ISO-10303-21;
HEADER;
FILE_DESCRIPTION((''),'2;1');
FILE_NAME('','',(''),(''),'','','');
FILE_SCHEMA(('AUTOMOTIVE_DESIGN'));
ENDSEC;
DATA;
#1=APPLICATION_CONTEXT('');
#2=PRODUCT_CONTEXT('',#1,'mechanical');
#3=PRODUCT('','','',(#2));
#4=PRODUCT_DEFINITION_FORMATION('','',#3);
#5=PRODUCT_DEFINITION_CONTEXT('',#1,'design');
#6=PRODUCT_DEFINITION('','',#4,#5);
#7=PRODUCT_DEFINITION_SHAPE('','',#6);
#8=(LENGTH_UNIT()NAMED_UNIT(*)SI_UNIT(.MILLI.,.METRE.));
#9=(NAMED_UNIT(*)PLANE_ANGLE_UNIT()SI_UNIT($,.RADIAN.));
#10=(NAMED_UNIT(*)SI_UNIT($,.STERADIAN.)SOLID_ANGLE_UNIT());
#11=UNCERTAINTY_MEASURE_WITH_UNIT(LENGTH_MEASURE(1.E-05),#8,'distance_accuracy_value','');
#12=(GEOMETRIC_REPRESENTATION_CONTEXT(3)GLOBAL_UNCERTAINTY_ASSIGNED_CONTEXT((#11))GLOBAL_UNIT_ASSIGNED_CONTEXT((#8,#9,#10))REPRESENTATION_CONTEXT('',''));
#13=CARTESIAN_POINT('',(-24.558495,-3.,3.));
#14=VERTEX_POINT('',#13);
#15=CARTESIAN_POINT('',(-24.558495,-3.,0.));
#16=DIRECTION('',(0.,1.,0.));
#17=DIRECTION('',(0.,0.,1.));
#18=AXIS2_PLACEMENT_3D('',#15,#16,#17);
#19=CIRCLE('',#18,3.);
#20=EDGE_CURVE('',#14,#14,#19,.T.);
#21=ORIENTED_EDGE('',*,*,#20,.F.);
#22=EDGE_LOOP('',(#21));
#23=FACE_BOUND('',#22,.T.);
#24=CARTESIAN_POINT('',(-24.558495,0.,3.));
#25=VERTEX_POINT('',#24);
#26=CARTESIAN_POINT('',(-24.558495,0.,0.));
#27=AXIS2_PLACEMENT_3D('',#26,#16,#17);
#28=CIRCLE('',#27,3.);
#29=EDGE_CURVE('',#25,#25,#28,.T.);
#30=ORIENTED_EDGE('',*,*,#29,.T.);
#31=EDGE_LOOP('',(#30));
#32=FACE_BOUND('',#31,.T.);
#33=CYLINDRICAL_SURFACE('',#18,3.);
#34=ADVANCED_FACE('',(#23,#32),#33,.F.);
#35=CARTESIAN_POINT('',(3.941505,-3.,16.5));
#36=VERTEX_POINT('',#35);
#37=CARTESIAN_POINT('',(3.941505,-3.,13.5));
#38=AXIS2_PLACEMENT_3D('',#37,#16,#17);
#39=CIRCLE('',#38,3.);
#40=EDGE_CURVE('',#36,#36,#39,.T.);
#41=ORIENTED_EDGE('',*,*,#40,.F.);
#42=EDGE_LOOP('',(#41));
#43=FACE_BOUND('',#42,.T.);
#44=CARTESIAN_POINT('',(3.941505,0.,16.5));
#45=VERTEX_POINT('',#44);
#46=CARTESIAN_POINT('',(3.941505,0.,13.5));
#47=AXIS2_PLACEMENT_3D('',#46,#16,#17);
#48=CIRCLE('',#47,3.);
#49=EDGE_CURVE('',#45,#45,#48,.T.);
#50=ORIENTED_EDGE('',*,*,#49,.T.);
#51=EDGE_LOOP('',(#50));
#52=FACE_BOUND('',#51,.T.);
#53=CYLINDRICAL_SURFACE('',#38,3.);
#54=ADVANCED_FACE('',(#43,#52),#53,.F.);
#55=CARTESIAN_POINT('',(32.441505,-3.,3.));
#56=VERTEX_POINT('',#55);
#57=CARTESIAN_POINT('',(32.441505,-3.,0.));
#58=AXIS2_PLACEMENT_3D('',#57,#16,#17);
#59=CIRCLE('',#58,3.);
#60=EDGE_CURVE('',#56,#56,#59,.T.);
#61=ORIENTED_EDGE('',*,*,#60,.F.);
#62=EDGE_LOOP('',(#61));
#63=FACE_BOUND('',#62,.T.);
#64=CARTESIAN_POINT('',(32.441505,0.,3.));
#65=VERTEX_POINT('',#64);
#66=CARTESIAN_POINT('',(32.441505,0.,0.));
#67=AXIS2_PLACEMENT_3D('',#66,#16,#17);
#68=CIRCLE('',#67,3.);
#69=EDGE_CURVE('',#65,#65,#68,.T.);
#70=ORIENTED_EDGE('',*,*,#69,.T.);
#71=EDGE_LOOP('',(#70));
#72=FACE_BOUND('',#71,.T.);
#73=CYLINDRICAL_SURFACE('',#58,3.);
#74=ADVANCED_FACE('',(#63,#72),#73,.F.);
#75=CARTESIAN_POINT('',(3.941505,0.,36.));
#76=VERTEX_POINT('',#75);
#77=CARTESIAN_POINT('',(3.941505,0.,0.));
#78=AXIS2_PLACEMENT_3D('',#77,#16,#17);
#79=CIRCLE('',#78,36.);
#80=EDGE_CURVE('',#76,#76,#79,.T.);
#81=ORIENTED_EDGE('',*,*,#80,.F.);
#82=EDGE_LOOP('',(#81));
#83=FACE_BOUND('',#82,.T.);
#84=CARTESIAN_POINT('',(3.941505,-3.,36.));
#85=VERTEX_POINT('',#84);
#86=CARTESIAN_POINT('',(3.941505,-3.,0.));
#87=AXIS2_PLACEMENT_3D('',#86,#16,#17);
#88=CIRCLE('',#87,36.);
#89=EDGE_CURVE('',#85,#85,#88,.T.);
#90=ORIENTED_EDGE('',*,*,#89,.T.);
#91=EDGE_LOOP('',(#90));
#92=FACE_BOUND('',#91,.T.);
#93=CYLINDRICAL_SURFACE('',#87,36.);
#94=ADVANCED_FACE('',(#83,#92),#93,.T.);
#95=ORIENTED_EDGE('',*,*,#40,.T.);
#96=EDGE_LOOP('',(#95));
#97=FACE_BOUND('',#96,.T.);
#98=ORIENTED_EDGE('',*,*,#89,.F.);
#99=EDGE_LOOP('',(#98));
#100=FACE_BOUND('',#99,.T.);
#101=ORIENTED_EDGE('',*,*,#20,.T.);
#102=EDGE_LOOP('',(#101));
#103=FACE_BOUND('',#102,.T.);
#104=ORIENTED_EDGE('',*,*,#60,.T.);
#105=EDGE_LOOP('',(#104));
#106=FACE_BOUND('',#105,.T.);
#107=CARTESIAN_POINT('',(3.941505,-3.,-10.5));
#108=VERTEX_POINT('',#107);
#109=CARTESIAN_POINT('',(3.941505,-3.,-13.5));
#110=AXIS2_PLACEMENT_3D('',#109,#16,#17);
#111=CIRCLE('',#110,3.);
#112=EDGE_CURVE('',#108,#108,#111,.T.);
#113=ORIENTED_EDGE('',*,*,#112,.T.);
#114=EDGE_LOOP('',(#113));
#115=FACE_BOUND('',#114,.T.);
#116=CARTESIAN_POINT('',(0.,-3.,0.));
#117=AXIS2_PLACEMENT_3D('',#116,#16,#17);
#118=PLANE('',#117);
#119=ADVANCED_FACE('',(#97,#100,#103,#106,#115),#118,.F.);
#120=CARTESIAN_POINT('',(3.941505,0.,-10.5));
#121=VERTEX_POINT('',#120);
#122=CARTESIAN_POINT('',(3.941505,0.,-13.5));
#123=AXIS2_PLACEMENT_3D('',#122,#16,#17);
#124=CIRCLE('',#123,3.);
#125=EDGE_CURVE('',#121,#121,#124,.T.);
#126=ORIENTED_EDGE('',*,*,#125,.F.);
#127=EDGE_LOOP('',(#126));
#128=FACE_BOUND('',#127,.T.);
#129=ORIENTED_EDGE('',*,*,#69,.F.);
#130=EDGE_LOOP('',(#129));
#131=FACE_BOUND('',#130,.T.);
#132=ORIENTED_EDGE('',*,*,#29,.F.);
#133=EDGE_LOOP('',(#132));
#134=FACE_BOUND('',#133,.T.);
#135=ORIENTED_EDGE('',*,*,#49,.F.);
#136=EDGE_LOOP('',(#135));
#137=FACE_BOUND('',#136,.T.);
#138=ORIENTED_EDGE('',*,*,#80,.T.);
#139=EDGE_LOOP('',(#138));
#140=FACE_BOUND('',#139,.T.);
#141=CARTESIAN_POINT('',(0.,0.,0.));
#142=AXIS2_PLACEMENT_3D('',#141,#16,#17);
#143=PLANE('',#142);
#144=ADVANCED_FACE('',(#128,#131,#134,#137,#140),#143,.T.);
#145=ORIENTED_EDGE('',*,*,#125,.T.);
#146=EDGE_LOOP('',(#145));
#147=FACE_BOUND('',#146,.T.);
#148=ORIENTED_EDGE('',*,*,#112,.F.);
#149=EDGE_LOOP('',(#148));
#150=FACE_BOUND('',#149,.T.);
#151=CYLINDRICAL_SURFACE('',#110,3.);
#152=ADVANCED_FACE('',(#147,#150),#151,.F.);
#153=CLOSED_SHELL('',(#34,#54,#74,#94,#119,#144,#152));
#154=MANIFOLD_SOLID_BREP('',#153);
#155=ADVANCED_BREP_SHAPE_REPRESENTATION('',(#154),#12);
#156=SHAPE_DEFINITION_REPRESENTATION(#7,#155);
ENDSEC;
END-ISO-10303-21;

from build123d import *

# Parameters (mm, degrees)
SKETCH1_R           = 36
SKETCH1_R_2         = 3
BOSS_EXTRUDE1_DEPTH = 3


with BuildPart() as part:
    # Sketch1 → Boss-Extrude1 (new body)
    with BuildSketch(Plane(origin=(0, 0, 0), x_dir=(1, 0, 0), z_dir=(0, 1, 0))):
        with Locations(Location((3.941504792, 0, 0), (0, 0, 270))):
            Circle(SKETCH1_R)
        with Locations(Location((32.441504792, 0, 0), (0, 0, 270))):
            Circle(SKETCH1_R_2, mode=Mode.SUBTRACT)
        with Locations(Location((-24.558495208, 0, 0), (0, 0, 270))):
            Circle(SKETCH1_R_2, mode=Mode.SUBTRACT)
        with Locations(Location((3.941504792, 13.5, 0), (0, 0, 270))):
            Circle(SKETCH1_R_2, mode=Mode.SUBTRACT)
        with Locations(Location((3.941504792, -13.5, 0), (0, 0, 270))):
            Circle(SKETCH1_R_2, mode=Mode.SUBTRACT)
    extrude(amount=-BOSS_EXTRUDE1_DEPTH)


solid = part.part
